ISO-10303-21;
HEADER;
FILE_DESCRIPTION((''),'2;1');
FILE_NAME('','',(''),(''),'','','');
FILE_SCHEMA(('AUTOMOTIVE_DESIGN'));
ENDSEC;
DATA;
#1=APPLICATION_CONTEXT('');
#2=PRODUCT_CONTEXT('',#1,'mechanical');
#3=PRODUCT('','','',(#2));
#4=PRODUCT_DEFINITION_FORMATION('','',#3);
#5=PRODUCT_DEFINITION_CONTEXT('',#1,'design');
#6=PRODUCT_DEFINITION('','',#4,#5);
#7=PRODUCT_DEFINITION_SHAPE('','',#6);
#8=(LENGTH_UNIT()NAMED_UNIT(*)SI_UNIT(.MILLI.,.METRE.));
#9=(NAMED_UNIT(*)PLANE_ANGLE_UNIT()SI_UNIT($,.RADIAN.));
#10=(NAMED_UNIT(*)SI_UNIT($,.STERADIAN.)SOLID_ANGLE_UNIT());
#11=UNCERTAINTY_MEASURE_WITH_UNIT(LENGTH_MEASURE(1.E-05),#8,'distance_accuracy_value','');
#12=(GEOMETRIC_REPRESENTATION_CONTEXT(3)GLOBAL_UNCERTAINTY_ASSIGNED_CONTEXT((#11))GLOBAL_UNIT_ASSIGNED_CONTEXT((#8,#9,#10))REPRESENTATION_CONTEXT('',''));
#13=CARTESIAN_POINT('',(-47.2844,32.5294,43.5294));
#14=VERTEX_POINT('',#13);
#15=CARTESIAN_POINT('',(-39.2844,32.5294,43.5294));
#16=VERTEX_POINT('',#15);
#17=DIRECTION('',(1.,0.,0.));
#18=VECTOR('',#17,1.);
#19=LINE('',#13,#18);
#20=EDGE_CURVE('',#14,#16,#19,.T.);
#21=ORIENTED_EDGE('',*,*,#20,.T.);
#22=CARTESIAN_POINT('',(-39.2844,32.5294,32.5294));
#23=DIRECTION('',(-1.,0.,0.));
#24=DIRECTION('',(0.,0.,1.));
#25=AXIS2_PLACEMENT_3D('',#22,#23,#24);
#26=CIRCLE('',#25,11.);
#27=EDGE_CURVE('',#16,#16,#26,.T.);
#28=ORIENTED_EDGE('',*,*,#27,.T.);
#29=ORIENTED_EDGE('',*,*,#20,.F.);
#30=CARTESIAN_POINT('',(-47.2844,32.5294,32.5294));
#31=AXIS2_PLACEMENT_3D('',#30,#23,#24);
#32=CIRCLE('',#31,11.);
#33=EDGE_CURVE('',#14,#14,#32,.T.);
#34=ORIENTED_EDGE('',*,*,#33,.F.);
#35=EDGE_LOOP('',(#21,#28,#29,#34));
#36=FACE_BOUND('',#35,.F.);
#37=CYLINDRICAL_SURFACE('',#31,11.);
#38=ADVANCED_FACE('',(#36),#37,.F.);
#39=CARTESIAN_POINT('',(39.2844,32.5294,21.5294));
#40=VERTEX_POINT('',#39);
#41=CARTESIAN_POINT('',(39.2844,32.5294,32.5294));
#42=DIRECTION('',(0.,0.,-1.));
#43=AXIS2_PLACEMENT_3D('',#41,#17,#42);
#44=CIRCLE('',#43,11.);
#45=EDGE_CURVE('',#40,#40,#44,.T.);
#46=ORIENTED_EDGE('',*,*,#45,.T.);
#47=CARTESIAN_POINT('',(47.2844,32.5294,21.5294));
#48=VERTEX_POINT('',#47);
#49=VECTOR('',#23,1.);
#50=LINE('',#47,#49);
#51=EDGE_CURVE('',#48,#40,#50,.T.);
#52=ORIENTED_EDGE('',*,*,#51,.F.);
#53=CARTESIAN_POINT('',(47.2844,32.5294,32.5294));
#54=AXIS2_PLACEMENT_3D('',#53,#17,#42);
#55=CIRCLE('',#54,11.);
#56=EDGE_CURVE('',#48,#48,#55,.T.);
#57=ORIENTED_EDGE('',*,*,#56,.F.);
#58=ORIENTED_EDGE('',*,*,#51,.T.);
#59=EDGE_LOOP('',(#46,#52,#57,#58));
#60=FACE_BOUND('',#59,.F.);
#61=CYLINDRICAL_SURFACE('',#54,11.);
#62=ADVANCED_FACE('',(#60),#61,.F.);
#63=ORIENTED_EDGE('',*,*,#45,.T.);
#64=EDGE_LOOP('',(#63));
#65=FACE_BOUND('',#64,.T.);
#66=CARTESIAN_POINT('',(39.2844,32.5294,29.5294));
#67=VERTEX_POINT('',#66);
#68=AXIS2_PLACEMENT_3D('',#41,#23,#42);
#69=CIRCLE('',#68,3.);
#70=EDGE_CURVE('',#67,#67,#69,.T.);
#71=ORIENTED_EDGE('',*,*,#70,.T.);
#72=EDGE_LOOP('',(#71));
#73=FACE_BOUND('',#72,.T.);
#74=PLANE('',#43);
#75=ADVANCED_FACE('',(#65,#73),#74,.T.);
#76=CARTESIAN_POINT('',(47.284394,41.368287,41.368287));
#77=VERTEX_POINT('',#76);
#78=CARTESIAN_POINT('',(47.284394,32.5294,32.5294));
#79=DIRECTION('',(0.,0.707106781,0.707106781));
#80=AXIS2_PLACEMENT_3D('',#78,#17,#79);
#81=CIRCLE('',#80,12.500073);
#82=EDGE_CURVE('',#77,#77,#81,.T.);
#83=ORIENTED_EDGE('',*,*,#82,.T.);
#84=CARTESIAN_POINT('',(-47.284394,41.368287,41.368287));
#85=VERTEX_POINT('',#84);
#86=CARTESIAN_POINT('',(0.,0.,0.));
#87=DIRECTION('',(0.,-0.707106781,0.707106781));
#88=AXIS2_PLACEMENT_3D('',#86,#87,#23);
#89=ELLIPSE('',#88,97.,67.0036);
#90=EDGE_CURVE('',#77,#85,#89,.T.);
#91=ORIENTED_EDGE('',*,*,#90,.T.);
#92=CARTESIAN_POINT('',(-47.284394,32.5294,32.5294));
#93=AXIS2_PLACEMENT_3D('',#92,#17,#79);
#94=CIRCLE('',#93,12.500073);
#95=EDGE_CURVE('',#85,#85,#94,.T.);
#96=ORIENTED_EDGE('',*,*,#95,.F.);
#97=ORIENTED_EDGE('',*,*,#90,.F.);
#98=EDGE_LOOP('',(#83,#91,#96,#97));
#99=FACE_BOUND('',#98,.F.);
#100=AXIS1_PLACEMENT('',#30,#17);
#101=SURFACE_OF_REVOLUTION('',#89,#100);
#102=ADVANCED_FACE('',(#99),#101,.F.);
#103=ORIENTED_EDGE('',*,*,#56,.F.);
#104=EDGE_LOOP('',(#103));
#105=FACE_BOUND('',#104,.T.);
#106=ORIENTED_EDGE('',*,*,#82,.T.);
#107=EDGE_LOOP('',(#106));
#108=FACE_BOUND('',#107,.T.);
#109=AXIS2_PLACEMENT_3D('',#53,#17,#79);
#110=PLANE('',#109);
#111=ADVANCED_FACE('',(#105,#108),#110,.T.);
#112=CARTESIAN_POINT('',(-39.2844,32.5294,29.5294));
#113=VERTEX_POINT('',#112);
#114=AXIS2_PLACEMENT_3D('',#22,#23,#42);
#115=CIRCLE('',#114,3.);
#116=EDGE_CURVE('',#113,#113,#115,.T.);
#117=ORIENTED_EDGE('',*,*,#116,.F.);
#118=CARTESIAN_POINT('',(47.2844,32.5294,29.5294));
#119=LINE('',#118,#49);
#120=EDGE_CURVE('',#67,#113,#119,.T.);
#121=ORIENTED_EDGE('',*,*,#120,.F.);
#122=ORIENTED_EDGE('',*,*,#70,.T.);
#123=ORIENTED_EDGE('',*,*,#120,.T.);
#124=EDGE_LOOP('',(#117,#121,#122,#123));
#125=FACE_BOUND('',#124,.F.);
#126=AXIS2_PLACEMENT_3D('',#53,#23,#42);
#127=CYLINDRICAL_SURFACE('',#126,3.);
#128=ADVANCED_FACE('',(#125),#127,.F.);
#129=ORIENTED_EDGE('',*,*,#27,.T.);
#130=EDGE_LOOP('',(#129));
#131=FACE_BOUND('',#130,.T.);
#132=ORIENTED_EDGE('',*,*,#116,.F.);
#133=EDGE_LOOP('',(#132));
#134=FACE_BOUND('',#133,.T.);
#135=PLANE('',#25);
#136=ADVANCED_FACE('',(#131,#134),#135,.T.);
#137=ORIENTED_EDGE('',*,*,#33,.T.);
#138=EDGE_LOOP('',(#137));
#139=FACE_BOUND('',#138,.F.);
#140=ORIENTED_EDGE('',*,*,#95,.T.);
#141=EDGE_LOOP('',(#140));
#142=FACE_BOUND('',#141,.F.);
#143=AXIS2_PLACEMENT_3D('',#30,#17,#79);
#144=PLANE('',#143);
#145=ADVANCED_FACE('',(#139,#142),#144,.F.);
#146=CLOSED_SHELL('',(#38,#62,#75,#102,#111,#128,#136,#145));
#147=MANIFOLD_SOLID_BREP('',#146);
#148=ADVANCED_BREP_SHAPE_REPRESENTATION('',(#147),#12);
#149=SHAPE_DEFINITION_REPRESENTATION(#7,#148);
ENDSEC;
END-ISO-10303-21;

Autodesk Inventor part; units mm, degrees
ref_plane "YZ Plane" through (0, 0, 0) normal (1, 0, 0) x (0, 1, 0)
ref_plane "XZ Plane" through (0, 0, 0) normal (0, 1, 0) x (-1, 0, 0)
sketch "Sketch1" plane through (0, 0, 0) normal (0, 0, 1) x (1, 0, 0)
  circle A0 centre (0, 0) radius 100 construction
  circle A1 centre (0, 0) radius 75 construction
  circle A2 centre (0, 75) radius 24 construction
  circle A3 centre (0, 0) radius 89 construction
  dimension "d8" = 150
  dimension "d7" = 200
  dimension "d9" = 48
  dimension "d10" = 14
sketch "Sketch6" plane through (0, 0, 0) normal (0, 0, 1) x (1, 0, 0)
  point P0 (0, 0)
ref_plane "Work Plane3" through (0, 0, 0) normal (0, -0.7071, 0.7071) x (1, 0, 0)
sketch "2d Roller Ellipse" plane through (0, 0, 0) normal (0, -0.7071, 0.7071) x (1, 0, 0)
  ellipse E0 centre (0, 0) end of major axis (100, 0) minor radius 70.7107 construction
  ellipse E1 centre (0, 53.033) end of major axis (24, 53.033) minor radius 16.9706 construction
  ellipse E2 centre (0, 0) end of major axis (100, 0) minor radius 70.7107 construction
  ellipse E3 centre (0, 0) end of major axis (-100, 0) minor radius 70.0036 construction
  line L0 (0, 70.0036) -> (0, 67.0036) construction
  line L1 (0, 67.0036) -> (0, 46.0036) construction
  circle A0 centre (0, 46.0036) radius 21 construction
  ellipse E4 centre (0, 0) end of major axis (-97, 0) minor radius 67.0036 (47.2844, 58.5036) -> (-47.2844, 58.5036) ccw
  line L2 (0, 46.0036) -> (0, 58.5036) construction
  line L3 (0, 58.5036) -> (51.8941, 58.5036) construction
  line L4 (47.2844, 58.5036) -> (47.2844, 46.0036)
  line L5 (47.2844, 46.0036) -> (0, 46.0036)
  line L6 (-47.2844, 58.5036) -> (-47.2844, 46.0036)
  line L7 (-47.2844, 46.0036) -> (0, 46.0036)
  dimension "d53" = 25
  dimension "d61" = 100
  dimension "d63" = 70.7107
  dimension "d77" = 3
  dimension "d78" = 21
  dimension "d79" = 42
  dimension "d80" = 12.5
  dimension "d81" = 12.5
  dimension "d82" = 4.6098
revolve "Revolution4" add sketch "2d Roller Ellipse" angle 360 about axis through (-47.2844, 32.5294, 32.5294) along (1, 0, 0)
sketch "Sketch11" plane through (47.2844, 32.5294, 32.5294) normal (1, 0, 0) x (0, 0, -1)
  circle A0 centre (0, 0) radius 12.5 projected
  point P0 (32.5294, -32.5294)
  point P1 (-8.8388, 8.8388)
hole "Hole1" at (47.2844, 32.5294, 32.5294) direction (-1, 0, 0) diameter 6 end through all
sketch "Sketch12" plane through (47.2844, 32.5294, 32.5294) normal (1, 0, 0) x (0, 0, -1)
  circle A0 centre (0, 0) radius 11
  circle A1 centre (0, 0) radius 12.5 projected
  point P0 (32.5294, -32.5294)
  point P1 (-8.8388, 8.8388)
  dimension "d93" = 22
extrude "Extrusion5" cut sketch "Sketch12" against normal blind 8 contours A0
sketch "Sketch13" plane through (-47.2844, 32.5294, 32.5294) normal (-1, 0, 0) x (0, 0, 1)
  circle A0 centre (0, 0) radius 12.5 projected
  circle A1 centre (0, 0) radius 3 projected
  circle A2 centre (0, 0) radius 11
  point P0 (-32.5294, -32.5294)
  point P1 (8.8388, 8.8388)
  dimension "d96" = 22
extrude "Extrusion6" cut sketch "Sketch13" against normal blind 8 contours A2
properties part number "Mecanum_Roller_48mm"
